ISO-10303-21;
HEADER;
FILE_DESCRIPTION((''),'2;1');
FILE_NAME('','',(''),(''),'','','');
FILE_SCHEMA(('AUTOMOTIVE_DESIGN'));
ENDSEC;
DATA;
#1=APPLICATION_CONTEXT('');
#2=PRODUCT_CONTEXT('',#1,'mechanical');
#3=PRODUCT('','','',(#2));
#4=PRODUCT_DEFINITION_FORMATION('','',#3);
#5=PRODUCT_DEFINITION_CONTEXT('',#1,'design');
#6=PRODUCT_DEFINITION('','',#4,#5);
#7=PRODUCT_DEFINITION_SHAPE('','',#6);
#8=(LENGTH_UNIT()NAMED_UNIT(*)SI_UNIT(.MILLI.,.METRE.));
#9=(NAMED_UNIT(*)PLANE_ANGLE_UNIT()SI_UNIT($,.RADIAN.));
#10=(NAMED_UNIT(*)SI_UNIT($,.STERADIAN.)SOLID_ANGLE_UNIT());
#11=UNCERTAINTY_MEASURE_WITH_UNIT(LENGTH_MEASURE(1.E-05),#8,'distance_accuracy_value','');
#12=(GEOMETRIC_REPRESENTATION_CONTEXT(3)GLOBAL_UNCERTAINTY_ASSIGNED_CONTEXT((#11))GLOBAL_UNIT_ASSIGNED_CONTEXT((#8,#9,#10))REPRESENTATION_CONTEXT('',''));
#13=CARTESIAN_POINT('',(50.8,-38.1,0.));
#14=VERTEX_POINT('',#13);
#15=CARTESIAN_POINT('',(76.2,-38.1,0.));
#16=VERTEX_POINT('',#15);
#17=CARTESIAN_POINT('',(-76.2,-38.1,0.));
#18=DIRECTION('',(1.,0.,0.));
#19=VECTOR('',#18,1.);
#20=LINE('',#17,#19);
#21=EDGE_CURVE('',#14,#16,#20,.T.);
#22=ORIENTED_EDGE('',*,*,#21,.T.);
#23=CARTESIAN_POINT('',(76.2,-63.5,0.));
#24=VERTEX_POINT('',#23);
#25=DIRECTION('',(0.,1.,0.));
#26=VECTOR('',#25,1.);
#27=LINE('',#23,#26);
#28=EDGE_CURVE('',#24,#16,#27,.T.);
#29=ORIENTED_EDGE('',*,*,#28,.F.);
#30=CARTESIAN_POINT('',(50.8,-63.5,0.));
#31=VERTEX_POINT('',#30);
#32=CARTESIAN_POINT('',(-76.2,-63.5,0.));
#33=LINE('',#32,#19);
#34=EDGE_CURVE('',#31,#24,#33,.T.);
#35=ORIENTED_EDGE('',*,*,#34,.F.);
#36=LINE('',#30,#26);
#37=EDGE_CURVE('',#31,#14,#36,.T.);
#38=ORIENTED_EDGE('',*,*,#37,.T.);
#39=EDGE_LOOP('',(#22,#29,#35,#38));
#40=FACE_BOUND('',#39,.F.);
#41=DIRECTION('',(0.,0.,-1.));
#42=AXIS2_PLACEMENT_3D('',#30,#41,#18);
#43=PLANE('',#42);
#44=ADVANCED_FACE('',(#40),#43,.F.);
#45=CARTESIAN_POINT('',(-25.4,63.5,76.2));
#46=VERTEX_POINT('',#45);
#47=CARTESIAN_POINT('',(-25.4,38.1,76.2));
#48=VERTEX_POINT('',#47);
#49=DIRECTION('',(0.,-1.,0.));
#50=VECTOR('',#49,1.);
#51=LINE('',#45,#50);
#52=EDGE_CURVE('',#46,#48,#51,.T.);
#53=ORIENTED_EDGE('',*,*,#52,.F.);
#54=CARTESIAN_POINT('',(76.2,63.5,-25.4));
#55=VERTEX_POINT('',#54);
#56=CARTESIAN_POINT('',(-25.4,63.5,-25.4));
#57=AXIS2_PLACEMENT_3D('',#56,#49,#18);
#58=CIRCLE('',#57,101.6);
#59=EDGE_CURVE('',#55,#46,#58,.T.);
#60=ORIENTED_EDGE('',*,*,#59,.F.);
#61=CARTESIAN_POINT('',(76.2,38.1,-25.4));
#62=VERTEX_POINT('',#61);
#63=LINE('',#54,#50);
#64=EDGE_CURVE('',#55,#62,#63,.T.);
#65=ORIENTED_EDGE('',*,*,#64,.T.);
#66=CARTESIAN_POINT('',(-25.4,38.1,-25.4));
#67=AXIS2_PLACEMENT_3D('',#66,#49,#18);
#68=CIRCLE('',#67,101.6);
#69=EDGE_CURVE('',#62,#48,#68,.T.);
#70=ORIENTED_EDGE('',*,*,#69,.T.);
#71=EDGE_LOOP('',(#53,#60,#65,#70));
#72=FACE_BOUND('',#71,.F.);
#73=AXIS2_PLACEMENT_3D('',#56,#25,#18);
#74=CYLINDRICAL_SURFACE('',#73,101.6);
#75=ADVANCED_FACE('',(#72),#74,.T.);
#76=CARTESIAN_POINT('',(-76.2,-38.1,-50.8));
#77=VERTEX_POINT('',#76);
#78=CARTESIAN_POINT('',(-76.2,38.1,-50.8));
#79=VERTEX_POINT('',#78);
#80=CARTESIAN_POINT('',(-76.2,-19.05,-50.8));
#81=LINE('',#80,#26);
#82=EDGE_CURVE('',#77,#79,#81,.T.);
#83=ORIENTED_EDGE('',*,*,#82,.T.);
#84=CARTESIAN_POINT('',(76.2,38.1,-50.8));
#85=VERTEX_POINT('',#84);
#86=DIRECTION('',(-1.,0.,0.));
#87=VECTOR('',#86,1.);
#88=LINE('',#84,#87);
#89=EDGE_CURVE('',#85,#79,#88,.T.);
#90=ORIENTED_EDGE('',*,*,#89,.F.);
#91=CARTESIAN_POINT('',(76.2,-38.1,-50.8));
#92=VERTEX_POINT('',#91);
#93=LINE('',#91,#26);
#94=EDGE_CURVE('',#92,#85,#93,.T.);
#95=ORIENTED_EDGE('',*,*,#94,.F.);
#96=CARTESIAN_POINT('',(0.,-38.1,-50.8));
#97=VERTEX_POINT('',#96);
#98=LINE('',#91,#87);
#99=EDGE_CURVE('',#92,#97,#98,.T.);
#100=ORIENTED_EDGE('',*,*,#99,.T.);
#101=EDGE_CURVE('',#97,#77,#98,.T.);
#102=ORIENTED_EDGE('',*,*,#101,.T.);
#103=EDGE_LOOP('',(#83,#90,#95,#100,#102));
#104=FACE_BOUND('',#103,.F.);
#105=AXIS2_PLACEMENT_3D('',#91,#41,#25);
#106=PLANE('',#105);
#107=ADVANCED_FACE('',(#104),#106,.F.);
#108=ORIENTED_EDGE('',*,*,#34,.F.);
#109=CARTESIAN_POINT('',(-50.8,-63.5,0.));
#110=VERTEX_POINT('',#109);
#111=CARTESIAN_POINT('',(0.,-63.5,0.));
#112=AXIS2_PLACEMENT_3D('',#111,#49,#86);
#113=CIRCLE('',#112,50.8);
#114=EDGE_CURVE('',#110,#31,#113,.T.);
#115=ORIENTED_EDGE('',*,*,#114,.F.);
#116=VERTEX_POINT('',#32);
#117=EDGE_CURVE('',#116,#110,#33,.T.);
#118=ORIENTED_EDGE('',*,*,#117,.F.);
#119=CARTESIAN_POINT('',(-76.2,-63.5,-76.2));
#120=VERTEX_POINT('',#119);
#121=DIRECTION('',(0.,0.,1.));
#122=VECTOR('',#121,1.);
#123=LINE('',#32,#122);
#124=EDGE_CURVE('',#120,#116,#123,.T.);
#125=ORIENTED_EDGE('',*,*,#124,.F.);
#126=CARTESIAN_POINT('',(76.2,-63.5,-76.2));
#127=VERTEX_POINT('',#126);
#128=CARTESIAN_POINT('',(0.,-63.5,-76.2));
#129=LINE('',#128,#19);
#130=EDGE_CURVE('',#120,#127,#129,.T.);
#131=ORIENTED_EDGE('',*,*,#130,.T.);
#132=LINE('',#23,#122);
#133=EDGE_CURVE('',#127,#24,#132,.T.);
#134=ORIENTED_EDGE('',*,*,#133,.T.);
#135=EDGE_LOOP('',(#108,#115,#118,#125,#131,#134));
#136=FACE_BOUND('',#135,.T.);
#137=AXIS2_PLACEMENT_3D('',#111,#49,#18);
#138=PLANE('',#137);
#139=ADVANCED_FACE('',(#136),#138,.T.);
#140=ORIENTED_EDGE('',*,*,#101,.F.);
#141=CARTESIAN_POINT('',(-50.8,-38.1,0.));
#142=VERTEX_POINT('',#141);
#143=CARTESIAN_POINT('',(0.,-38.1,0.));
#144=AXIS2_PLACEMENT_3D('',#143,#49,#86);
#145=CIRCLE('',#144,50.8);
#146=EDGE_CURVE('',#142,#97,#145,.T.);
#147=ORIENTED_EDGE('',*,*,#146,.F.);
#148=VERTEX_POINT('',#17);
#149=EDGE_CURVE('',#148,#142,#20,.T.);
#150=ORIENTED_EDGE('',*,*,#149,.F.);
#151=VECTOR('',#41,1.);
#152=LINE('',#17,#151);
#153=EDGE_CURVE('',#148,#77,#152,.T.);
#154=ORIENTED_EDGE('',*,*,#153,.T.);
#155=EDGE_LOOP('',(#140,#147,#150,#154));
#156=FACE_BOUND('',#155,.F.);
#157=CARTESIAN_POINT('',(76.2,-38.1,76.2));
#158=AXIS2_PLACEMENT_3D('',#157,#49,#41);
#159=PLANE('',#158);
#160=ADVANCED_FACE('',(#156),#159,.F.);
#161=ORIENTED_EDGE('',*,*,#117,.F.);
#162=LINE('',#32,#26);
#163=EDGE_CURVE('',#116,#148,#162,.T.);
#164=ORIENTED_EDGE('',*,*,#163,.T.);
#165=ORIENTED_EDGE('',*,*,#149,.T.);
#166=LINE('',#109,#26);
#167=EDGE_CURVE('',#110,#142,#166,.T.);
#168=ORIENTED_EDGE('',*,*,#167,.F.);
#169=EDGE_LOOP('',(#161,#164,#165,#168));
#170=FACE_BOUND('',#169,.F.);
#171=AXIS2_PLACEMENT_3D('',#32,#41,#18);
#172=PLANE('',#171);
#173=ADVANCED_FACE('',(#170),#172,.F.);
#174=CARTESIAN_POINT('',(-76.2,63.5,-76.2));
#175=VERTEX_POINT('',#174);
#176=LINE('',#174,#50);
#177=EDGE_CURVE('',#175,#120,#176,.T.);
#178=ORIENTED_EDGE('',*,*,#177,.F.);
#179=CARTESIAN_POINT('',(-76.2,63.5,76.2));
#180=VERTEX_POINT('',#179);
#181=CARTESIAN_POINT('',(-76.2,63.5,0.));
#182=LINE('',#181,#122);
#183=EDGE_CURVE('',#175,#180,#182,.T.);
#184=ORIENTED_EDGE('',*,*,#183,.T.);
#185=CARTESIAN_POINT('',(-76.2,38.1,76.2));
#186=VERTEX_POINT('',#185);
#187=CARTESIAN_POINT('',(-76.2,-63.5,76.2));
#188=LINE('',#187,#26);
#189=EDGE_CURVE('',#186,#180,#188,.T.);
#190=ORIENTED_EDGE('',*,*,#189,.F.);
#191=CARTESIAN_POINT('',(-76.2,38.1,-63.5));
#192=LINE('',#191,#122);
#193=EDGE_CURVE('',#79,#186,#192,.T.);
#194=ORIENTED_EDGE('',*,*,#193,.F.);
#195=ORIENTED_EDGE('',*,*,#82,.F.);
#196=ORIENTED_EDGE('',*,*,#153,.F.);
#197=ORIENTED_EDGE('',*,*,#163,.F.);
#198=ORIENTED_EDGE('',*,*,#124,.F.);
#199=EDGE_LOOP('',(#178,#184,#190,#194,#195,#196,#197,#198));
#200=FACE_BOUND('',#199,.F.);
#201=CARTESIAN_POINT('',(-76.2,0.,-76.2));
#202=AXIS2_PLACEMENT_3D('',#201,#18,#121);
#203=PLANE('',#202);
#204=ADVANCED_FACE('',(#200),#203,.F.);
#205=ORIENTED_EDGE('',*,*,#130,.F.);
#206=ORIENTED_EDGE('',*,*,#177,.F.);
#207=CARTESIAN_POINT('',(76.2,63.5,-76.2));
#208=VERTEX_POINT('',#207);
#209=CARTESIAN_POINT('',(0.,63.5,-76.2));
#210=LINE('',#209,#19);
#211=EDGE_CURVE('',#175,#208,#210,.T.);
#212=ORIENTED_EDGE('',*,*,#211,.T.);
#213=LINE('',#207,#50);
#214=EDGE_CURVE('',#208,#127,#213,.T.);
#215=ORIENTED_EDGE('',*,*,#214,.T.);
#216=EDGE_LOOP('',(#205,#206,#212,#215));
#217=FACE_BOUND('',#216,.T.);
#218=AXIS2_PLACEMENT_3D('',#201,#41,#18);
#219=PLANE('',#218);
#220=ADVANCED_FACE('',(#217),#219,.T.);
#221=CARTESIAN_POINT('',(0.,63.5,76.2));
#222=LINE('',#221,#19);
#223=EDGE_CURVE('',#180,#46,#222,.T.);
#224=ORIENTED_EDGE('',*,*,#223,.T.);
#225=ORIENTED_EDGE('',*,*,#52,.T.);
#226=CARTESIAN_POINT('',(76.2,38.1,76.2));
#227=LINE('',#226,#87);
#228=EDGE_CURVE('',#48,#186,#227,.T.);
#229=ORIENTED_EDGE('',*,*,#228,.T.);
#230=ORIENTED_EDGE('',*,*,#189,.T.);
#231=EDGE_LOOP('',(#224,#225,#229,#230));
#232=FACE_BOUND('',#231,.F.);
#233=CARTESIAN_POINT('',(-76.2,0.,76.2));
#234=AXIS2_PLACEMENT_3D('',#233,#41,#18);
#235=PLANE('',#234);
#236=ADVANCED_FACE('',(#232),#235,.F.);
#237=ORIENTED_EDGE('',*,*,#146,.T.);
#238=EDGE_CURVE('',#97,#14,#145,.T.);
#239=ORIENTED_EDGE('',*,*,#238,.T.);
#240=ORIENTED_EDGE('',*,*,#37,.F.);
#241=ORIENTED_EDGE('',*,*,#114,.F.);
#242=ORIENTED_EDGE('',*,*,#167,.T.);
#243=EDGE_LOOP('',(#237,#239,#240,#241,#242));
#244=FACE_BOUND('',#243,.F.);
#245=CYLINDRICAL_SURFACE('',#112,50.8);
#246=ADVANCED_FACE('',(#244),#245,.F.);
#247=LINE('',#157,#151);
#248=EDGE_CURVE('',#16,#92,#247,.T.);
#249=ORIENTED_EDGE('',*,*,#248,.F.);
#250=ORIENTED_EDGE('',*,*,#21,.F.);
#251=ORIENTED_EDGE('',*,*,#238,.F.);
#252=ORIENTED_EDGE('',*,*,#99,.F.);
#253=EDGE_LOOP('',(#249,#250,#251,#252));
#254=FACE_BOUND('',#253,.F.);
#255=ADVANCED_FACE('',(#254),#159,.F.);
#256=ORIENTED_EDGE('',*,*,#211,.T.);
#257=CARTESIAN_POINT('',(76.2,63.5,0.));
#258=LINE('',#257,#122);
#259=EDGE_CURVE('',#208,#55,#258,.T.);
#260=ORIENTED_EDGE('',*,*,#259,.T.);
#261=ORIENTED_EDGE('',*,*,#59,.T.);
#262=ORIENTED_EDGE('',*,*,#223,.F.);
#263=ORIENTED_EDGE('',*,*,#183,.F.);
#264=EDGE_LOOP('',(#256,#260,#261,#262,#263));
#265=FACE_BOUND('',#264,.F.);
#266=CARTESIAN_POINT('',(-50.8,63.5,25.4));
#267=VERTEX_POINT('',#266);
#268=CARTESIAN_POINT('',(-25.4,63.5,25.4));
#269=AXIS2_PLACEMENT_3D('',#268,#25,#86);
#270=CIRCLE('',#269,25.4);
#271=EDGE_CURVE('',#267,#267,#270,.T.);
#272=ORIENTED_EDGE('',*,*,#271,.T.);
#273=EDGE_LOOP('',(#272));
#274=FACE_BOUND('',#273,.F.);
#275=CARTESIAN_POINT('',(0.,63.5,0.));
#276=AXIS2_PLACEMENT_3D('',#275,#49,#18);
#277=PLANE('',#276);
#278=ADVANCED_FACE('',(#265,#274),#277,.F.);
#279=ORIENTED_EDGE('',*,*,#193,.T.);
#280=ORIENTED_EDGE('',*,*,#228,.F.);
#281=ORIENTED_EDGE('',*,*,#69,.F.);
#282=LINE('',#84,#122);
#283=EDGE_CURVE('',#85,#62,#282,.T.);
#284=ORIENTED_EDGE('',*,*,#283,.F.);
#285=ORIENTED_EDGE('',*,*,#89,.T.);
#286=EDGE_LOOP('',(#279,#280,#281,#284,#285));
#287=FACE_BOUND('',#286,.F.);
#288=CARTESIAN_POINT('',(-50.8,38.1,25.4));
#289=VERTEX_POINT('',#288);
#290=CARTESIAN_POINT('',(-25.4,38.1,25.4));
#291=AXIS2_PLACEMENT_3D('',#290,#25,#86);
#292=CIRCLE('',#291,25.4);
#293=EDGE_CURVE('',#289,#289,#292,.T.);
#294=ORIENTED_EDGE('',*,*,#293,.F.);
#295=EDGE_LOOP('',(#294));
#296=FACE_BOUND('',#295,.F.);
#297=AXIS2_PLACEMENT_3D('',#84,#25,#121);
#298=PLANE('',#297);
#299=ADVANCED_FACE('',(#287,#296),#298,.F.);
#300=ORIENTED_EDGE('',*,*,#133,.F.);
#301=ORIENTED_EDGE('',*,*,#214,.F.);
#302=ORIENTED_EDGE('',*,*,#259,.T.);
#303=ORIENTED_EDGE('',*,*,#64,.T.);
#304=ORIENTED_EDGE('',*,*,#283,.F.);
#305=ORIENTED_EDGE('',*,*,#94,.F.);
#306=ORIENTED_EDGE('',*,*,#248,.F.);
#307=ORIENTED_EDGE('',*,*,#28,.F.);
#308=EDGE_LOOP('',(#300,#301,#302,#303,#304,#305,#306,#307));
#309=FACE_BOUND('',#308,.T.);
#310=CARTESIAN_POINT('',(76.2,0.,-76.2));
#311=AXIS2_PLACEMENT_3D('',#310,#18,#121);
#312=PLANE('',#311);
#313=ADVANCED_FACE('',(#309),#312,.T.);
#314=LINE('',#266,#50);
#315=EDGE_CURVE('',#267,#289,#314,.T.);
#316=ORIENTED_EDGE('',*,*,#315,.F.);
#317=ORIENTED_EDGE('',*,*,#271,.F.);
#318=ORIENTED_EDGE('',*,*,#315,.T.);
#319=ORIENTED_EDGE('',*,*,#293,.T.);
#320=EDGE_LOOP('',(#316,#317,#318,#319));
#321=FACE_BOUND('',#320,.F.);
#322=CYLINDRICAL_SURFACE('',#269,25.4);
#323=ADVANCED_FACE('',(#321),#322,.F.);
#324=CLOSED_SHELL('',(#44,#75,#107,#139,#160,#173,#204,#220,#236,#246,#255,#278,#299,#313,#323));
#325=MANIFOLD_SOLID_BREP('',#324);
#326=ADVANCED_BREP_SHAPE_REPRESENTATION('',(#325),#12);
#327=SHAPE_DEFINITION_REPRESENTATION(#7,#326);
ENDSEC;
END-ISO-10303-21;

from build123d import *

# Parameters (mm, degrees)
F0_W     = 152.4
F0_H     = 152.4
F1_DEPTH = 63.5
F3_DEPTH = 152.401
F5_DEPTH = 25.4
F6_R     = 25.4
F7_DEPTH = 25.4


with BuildPart() as f1:
    # F0 (on Front) → F1 (new body, symmetric)
    with BuildSketch(Plane.XZ):
        Rectangle(F0_W, F0_H)
    extrude(amount=F1_DEPTH, both=True)

    # F2 (on face) → F3 (cut, through all)
    with BuildSketch(Plane.YZ.offset(76.2)):
        Polygon((38.1, 76.2), (-38.1, 76.2), (-38.1, -50.8), (0, -50.8), (38.1, -50.8), align=None)
    extrude(amount=-F3_DEPTH, mode=Mode.SUBTRACT)

    # F4 (on face) → F5 (cut, through all)
    with BuildSketch(Plane.XZ.offset(63.5)):
        with BuildLine():
            Line((76.2, 0), (76.2, 76.2))
            Line((76.2, 76.2), (-76.2, 76.2))
            Line((-76.2, 76.2), (-76.2, 0))
            Line((-76.2, 0), (-50.8, 0))
            ThreePointArc((-50.8, 0), (0, 50.8), (50.8, 0))
            Line((50.8, 0), (76.2, 0))
        make_face()
        with BuildLine():
            Line((-50.8, 0), (50.8, 0))
            ThreePointArc((50.8, 0), (0, 50.8), (-50.8, 0))
        make_face()
        with BuildLine():
            ThreePointArc((-50.8, 0), (0, -50.8), (50.8, 0))
            Line((50.8, 0), (-50.8, 0))
        make_face()
    extrude(amount=-F5_DEPTH, mode=Mode.SUBTRACT)

    # F6 (on face) → F7 (cut, through all)
    with BuildSketch(Plane(origin=(0, 63.5, 0), x_dir=(-1, 0, 0), z_dir=(0, 1, 0))):
        with BuildLine():
            Line((25.3999998624, 76.2), (-76.2, 76.2))
            Line((-76.2, 76.2), (-76.2, -25.4))
            ThreePointArc((-76.2, -25.4), (-46.4420490172, 46.4420489199), (25.3999998624, 76.2))
        make_face()
        with Locations((25.4, 25.4)):
            Circle(F6_R)
    extrude(amount=-F7_DEPTH, mode=Mode.SUBTRACT)


solid = f1.part
